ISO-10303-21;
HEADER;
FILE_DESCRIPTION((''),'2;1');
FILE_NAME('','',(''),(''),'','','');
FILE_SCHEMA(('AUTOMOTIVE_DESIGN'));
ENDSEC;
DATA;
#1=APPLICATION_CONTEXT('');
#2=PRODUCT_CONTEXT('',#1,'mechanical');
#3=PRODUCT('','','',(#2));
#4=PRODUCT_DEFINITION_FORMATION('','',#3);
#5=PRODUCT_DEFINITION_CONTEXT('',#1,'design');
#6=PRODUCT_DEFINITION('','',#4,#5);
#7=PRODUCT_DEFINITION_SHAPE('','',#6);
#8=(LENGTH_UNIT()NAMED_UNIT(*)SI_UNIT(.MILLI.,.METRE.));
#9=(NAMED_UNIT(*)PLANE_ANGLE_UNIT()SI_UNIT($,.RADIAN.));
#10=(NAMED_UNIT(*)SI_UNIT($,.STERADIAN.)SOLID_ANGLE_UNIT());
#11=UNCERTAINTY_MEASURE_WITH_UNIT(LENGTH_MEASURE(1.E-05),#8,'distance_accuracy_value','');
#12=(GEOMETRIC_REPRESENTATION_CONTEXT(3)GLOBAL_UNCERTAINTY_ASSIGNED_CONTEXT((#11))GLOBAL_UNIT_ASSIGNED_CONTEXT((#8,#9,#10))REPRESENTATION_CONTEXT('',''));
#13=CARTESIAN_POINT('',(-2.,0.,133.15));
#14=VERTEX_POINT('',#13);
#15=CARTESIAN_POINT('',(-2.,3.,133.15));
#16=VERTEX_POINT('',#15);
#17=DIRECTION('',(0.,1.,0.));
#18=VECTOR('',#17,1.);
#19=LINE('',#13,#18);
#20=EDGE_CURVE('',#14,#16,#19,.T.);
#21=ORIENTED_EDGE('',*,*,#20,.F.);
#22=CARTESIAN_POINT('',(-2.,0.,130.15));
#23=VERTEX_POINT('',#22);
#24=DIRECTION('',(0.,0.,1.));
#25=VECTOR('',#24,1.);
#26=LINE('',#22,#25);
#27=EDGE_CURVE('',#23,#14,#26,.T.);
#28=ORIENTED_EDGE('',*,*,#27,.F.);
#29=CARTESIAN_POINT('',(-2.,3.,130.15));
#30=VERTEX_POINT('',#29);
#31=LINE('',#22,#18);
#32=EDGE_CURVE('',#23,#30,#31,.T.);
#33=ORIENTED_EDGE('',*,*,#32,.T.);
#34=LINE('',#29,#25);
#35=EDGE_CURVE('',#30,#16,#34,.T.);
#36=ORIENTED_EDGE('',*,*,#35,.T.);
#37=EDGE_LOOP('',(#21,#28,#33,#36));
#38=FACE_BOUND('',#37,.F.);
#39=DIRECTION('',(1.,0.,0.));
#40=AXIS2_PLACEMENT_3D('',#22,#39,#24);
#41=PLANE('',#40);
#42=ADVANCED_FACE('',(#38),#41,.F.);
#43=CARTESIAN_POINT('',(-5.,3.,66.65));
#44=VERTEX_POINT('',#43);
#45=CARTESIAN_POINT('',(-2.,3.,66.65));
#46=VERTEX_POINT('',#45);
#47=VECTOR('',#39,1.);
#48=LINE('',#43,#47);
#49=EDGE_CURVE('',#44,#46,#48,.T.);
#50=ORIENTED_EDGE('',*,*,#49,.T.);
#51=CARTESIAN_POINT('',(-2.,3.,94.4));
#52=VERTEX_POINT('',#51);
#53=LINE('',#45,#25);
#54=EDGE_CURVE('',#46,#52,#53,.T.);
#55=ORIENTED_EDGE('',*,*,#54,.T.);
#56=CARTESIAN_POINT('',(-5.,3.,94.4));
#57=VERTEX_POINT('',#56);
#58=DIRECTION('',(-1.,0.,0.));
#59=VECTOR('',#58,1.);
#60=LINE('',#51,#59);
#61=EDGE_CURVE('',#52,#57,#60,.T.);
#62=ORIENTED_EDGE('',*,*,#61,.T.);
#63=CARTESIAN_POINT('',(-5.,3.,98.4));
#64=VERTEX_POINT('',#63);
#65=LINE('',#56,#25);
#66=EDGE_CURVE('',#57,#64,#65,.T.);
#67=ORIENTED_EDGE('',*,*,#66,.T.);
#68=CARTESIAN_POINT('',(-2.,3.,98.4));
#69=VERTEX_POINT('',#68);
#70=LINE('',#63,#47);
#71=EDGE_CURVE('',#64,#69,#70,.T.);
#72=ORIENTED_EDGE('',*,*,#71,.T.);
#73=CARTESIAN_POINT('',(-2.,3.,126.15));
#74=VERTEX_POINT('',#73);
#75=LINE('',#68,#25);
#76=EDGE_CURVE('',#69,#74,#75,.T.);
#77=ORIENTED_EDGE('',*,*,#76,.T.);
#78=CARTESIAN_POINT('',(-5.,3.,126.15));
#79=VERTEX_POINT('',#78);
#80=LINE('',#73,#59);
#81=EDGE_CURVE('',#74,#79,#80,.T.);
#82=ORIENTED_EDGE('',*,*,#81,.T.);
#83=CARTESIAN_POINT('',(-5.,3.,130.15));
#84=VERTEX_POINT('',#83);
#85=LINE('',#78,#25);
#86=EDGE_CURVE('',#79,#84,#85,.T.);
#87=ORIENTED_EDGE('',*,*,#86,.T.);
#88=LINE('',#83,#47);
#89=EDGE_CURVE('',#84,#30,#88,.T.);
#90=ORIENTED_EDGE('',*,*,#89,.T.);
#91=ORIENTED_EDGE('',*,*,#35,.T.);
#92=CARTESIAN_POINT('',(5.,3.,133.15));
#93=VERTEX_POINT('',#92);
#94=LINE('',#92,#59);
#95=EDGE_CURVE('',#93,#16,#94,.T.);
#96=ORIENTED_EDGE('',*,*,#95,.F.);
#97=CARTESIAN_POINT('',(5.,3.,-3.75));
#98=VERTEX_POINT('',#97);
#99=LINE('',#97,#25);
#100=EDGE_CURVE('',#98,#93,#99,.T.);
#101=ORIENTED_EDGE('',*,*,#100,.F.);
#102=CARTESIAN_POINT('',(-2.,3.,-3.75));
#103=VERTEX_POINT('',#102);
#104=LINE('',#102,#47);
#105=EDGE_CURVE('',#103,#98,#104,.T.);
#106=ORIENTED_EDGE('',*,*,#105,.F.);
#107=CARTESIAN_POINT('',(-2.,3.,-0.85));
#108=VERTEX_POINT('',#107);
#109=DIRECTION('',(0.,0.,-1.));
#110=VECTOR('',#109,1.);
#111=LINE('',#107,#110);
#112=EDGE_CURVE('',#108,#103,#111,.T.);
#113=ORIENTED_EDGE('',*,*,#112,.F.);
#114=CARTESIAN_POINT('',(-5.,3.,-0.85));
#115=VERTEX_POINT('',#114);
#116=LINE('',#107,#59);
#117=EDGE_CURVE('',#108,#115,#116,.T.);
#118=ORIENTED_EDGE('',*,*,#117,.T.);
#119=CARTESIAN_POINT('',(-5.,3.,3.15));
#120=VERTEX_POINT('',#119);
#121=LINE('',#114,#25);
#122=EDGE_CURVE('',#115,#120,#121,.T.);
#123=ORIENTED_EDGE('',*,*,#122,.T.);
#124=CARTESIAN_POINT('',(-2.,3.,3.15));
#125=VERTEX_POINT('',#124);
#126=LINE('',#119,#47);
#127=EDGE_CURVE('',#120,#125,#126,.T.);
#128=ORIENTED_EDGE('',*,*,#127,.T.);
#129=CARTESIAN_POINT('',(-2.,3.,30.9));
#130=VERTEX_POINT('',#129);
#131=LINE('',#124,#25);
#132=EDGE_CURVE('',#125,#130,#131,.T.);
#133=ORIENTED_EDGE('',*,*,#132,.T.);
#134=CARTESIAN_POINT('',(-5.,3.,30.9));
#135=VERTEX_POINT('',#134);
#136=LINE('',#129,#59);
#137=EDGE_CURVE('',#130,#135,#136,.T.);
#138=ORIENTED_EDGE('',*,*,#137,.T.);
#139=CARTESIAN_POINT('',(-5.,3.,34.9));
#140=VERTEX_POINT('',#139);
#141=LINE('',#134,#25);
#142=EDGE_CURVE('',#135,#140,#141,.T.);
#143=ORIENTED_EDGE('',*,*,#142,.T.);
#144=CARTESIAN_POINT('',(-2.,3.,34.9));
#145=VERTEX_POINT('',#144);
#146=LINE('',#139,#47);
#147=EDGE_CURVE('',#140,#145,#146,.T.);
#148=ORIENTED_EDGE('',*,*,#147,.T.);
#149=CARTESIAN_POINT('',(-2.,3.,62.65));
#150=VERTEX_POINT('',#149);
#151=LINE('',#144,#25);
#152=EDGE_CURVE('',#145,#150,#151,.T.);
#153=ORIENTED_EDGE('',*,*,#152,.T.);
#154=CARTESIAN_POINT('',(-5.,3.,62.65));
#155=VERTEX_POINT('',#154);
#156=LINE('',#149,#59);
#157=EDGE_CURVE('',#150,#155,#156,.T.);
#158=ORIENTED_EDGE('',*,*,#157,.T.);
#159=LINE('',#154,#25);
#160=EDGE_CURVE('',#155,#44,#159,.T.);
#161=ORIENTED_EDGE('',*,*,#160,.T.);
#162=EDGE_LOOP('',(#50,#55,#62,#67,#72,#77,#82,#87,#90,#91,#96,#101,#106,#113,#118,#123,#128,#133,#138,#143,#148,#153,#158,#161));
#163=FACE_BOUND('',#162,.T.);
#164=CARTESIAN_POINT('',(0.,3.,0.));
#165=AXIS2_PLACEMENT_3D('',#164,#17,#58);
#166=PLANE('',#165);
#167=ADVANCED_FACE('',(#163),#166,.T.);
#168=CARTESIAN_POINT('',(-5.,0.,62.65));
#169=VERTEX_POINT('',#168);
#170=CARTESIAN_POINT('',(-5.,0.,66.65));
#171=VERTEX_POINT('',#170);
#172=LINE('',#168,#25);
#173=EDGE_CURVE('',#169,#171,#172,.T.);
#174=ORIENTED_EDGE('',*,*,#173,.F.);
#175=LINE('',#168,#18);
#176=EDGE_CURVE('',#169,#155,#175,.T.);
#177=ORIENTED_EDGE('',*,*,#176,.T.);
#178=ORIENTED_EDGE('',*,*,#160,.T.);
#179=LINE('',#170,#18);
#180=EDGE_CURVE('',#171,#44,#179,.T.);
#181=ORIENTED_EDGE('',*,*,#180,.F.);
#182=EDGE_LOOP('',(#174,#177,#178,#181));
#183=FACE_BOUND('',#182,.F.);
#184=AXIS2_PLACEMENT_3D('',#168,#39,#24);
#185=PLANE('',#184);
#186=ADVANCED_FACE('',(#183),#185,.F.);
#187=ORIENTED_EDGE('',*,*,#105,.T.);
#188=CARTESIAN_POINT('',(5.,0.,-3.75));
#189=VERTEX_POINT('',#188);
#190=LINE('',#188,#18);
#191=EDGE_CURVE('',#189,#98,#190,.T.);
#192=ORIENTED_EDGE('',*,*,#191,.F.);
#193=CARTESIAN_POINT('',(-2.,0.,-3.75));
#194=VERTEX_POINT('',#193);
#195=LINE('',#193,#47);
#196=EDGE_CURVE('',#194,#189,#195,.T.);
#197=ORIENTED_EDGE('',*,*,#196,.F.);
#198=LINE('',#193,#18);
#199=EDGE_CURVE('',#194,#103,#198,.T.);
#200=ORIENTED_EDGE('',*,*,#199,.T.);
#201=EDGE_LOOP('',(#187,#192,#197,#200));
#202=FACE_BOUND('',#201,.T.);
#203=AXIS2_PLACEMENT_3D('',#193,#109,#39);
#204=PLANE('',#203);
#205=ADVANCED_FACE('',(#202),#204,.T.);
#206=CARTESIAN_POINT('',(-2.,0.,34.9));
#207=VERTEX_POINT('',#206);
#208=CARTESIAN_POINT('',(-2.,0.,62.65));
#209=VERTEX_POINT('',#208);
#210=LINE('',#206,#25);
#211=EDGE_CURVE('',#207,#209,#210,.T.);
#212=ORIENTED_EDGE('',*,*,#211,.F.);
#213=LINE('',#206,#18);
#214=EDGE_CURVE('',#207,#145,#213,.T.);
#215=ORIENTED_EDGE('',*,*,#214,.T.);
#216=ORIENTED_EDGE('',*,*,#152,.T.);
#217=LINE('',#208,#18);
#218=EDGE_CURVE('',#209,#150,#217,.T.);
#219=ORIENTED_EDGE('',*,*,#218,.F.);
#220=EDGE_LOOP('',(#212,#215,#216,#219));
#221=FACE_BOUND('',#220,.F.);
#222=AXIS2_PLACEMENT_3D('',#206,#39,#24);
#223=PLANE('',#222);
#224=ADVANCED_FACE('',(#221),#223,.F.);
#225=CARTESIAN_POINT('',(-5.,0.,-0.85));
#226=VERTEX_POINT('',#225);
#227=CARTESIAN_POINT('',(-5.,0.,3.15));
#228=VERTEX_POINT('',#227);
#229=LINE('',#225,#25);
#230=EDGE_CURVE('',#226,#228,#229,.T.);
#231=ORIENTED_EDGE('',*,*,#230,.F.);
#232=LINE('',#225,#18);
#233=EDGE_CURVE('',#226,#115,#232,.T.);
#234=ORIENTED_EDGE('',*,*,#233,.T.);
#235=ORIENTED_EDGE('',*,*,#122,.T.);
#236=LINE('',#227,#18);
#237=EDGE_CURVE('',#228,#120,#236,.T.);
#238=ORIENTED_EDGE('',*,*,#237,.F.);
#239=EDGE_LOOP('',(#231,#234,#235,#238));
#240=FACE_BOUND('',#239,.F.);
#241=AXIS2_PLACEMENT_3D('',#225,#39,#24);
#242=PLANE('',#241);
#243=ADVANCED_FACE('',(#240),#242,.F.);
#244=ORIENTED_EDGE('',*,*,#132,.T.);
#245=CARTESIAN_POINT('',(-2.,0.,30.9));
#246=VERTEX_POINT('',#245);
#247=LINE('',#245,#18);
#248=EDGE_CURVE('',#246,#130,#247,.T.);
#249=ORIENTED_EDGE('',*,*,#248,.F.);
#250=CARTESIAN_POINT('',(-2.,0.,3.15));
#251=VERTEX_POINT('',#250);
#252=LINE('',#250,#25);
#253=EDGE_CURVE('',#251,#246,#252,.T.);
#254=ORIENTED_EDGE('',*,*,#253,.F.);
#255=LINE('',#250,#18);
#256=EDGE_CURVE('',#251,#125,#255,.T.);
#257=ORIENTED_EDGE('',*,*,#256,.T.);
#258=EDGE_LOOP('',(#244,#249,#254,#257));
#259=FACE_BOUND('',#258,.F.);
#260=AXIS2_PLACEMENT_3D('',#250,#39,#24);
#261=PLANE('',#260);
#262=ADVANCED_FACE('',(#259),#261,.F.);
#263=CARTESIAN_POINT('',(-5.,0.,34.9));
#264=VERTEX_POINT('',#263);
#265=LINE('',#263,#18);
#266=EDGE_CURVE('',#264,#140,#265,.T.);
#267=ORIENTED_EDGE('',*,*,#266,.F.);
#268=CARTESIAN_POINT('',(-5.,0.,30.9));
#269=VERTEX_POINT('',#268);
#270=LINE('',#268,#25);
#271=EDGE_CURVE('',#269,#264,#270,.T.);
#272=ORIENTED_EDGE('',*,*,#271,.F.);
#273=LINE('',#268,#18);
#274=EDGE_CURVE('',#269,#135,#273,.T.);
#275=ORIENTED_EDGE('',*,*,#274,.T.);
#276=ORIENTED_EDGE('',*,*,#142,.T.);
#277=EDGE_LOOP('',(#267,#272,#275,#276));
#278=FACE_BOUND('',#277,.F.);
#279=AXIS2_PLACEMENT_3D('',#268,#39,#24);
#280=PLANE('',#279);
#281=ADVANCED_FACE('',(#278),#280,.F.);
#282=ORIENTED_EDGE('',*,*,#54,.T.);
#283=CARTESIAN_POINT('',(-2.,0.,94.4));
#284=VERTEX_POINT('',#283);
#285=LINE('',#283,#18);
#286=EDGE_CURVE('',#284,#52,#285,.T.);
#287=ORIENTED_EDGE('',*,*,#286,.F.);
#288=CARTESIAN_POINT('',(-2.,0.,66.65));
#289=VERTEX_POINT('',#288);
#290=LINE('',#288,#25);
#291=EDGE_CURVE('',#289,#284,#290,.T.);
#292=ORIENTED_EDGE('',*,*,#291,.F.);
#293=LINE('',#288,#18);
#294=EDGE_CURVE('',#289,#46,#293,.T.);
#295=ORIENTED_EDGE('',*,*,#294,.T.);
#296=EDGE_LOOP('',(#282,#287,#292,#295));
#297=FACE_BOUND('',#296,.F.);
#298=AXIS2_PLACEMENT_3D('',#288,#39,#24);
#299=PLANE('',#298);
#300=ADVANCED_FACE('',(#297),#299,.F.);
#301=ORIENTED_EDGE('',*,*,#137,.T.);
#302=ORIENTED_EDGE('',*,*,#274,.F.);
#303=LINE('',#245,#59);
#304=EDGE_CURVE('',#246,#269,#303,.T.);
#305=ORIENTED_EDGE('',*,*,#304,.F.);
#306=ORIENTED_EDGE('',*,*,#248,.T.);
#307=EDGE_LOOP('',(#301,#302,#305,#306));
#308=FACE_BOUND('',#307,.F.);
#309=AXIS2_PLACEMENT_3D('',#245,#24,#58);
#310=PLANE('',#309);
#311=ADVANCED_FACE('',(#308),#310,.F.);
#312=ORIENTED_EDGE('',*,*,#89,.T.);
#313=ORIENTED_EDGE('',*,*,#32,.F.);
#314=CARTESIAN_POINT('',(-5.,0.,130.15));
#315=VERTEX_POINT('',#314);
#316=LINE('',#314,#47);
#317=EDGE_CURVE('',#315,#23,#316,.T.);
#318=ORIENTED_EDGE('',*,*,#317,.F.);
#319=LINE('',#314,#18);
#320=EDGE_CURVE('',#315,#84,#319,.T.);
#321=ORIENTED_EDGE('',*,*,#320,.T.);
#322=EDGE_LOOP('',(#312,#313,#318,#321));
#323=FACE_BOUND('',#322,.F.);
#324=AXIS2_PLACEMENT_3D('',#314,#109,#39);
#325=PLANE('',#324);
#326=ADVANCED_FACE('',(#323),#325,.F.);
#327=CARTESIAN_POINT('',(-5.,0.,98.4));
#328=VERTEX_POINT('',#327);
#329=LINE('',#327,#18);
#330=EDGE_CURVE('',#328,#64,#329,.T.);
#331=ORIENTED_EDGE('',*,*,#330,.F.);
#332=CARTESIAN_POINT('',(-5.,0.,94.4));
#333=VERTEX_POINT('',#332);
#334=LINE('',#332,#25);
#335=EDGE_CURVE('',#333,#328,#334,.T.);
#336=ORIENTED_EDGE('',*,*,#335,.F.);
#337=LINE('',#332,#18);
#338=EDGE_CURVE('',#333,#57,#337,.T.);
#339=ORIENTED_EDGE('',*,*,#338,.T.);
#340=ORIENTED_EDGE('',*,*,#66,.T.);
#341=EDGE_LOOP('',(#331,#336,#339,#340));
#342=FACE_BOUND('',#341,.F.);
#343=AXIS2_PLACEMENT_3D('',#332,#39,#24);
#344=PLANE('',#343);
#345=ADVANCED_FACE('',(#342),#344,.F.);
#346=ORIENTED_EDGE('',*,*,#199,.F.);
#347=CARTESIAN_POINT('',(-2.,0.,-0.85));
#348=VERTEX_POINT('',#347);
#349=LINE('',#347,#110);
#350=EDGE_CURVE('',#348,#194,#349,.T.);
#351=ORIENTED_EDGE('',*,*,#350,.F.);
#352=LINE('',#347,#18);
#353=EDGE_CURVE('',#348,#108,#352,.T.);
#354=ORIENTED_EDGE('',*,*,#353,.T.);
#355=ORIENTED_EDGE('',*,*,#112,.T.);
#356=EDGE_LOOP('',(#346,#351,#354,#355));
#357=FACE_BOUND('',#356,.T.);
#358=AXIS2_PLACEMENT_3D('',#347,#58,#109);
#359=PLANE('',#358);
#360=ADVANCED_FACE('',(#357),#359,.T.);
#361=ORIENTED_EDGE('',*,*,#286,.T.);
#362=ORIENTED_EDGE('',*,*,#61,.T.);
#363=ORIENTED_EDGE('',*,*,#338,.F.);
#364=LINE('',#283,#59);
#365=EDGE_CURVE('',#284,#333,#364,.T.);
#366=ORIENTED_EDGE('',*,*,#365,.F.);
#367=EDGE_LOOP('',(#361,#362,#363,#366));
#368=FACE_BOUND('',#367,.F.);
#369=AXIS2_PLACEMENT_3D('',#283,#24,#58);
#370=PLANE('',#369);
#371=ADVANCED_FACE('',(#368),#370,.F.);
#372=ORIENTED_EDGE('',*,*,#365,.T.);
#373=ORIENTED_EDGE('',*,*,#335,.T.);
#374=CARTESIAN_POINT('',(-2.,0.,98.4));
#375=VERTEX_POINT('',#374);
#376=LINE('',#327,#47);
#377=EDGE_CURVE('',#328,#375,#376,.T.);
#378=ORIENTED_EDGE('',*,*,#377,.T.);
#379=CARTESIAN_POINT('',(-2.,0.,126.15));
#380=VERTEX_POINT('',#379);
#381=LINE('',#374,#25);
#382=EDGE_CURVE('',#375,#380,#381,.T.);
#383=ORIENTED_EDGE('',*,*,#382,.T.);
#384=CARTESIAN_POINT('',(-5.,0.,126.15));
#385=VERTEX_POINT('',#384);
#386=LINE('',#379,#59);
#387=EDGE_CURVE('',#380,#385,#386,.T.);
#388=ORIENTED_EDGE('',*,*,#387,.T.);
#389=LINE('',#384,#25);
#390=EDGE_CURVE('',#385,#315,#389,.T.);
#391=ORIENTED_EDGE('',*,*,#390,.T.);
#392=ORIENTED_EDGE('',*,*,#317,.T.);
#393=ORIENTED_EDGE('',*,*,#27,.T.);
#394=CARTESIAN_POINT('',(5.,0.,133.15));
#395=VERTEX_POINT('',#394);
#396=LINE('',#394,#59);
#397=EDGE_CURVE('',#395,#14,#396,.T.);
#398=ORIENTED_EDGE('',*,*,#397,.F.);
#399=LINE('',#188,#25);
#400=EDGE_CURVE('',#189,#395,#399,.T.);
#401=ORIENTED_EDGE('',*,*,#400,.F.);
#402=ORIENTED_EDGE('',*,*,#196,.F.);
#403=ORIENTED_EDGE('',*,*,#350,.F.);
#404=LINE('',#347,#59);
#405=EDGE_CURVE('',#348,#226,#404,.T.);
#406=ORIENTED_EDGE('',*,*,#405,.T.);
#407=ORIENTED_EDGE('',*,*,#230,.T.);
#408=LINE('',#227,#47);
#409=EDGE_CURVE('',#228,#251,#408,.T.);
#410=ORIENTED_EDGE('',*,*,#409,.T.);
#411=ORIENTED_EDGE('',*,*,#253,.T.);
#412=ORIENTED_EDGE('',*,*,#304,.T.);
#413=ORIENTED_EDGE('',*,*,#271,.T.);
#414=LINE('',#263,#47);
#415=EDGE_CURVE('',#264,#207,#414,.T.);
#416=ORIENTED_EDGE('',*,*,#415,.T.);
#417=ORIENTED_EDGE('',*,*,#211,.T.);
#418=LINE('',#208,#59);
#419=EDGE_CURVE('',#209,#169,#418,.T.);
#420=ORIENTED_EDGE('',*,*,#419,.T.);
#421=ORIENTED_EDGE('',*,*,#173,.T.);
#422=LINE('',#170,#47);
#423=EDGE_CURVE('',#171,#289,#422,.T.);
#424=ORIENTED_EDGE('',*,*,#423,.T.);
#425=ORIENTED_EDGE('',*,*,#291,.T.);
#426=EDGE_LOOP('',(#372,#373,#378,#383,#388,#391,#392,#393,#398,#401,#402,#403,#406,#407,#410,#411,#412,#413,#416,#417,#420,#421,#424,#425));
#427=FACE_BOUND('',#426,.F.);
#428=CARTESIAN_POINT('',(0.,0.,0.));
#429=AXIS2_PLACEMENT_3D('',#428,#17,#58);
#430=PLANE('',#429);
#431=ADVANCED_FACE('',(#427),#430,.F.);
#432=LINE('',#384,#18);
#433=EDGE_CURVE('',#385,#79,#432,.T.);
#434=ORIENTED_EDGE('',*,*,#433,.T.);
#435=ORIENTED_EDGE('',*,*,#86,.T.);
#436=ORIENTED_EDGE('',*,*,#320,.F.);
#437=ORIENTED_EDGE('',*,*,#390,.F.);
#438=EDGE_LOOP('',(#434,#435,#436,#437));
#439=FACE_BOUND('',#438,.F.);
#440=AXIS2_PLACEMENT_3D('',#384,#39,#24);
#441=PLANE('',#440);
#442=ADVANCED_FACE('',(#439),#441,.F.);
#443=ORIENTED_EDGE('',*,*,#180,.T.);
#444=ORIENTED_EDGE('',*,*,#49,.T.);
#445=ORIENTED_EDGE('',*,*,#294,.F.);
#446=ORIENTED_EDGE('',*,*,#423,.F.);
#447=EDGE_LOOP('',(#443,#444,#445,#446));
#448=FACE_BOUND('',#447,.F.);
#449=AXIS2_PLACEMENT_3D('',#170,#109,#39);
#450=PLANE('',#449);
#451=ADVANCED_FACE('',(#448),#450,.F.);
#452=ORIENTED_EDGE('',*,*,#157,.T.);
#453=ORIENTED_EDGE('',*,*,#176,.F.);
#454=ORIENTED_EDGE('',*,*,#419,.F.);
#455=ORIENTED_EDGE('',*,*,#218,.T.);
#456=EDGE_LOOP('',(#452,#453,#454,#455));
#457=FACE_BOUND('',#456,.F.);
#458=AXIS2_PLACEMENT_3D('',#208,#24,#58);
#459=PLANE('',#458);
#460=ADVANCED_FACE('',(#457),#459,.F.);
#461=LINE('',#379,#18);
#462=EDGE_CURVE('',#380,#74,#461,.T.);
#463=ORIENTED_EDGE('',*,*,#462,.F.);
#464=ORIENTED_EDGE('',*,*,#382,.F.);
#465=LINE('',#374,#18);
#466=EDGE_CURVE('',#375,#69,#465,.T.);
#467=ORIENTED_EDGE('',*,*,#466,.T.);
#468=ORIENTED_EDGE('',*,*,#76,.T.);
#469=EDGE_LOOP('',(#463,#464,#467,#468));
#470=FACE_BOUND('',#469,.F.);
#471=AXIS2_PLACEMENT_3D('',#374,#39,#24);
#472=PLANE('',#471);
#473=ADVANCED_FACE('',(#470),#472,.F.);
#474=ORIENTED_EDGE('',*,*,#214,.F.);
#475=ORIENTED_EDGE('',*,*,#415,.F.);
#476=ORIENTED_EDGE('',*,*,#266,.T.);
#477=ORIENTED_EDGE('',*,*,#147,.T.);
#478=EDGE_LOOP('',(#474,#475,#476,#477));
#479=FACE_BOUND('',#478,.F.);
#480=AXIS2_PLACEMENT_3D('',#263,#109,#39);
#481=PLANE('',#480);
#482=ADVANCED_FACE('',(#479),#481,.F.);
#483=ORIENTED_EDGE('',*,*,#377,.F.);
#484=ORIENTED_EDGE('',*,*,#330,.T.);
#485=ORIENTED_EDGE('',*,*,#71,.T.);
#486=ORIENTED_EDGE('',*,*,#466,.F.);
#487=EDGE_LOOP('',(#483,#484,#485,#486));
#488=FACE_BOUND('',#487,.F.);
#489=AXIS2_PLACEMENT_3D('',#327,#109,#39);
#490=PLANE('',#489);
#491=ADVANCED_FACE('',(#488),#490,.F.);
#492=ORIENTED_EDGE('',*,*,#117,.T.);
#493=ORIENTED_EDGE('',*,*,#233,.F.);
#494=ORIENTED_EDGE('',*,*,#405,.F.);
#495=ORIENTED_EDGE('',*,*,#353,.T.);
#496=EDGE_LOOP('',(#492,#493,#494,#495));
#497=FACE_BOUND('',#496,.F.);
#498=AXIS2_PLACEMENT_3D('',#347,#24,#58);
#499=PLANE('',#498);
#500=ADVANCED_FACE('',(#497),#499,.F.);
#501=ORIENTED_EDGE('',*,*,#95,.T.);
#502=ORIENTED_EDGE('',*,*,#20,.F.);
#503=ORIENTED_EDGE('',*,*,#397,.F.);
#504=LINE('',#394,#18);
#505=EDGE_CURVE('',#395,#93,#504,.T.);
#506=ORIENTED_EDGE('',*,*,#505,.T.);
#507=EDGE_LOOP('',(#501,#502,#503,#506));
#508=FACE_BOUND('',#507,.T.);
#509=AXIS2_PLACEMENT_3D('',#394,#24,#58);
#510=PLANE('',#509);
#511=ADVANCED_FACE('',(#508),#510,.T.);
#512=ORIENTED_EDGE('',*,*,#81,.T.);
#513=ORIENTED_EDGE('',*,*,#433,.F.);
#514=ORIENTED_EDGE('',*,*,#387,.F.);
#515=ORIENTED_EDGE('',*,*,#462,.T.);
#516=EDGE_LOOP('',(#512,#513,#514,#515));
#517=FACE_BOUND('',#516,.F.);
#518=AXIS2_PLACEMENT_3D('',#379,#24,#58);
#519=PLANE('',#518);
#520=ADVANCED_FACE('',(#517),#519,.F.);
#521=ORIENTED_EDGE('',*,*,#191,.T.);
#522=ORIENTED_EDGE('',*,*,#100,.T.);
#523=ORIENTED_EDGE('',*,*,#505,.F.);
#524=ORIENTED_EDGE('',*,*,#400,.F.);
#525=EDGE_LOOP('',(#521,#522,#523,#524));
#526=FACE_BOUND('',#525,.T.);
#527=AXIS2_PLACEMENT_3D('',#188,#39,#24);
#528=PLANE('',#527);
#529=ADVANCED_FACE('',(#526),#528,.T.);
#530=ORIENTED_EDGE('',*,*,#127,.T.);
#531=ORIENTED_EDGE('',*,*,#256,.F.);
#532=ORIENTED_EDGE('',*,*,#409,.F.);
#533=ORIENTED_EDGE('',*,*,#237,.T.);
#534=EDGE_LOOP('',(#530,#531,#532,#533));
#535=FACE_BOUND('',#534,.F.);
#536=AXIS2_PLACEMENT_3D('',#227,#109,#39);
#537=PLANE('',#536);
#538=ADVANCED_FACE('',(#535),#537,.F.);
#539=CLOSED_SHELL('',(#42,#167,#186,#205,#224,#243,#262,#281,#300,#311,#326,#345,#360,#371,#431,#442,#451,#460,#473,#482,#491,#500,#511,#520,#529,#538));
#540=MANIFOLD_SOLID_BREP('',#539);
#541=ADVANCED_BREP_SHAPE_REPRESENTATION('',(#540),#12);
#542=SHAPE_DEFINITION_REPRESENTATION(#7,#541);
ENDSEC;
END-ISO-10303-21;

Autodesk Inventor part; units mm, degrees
ref_plane "YZ Plane" through (0, 0, 0) normal (1, 0, 0) x (0, 1, 0)
ref_plane "XZ Plane" through (0, 0, 0) normal (0, 1, 0) x (-1, 0, 0)
ref_plane "XY Plane" through (0, 0, 0) normal (0, 0, 1) x (1, 0, 0)
sketch "Sketch1" plane through (0, 0, 0) normal (0, 1, 0) x (-1, 0, 0)
  line L0 (2, -0.85) -> (2, -3.75)
  line L1 (-5, 133.15) -> (2, 133.15)
  line L2 (-5, -3.75) -> (-5, 133.15)
  line L3 (2, -0.85) -> (5, -0.85)
  line L4 (5, -0.85) -> (5, 3.15)
  line L5 (5, 3.15) -> (2, 3.15)
  line L6 (2, 30.9) -> (5, 30.9)
  line L7 (5, 30.9) -> (5, 34.9)
  line L8 (5, 34.9) -> (2, 34.9)
  line L9 (2, 62.65) -> (5, 62.65)
  line L10 (5, 62.65) -> (5, 66.65)
  line L11 (5, 66.65) -> (2, 66.65)
  line L12 (2, 94.4) -> (5, 94.4)
  line L13 (5, 94.4) -> (5, 98.4)
  line L14 (5, 98.4) -> (2, 98.4)
  line L15 (2, 3.15) -> (2, 30.9)
  line L16 (2, 34.9) -> (2, 62.65)
  line L17 (2, 66.65) -> (2, 94.4)
  line L18 (2, 126.15) -> (5, 126.15)
  line L19 (5, 126.15) -> (5, 130.15)
  line L20 (5, 130.15) -> (2, 130.15)
  line L21 (2, 98.4) -> (2, 126.15)
  line L22 (2, -0.85) -> (2, -3.75)
  line L23 (2, -3.75) -> (-5, -3.75)
  line L24 (2, 130.15) -> (2, 133.15)
  point P0 (0, 0)
  point P1 (2, 133.15)
  dimension "d35" = 3
  dimension "d36" = 4
  dimension "d46" = 90
  dimension "d52" = 31.75
  dimension "d57" = 2.9
extrude "Extrusion1" add sketch "Sketch1" along normal blind 3
sketch "Sketch4" plane through (0, 3, 0) normal (0, 1, 0) x (1, 0, 0)
  line L0 (1.7141, -13.1698) -> (0.2738, -13.1698)
  line L1 (0.2738, -13.1698) -> (0.2738, -8.8733)
  line L2 (0.2738, -8.8733) -> (-0.6051, -8.8733)
  line L3 (-0.6051, -8.8733) -> (0.9939, -7.2743)
  line L4 (0.9939, -7.2743) -> (2.5929, -8.8733)
  line L5 (1.7141, -13.1698) -> (1.7141, -8.8733)
  line L6 (1.7141, -8.8733) -> (2.5929, -8.8733)
properties part number "steun" material "Wood (Maple)"
